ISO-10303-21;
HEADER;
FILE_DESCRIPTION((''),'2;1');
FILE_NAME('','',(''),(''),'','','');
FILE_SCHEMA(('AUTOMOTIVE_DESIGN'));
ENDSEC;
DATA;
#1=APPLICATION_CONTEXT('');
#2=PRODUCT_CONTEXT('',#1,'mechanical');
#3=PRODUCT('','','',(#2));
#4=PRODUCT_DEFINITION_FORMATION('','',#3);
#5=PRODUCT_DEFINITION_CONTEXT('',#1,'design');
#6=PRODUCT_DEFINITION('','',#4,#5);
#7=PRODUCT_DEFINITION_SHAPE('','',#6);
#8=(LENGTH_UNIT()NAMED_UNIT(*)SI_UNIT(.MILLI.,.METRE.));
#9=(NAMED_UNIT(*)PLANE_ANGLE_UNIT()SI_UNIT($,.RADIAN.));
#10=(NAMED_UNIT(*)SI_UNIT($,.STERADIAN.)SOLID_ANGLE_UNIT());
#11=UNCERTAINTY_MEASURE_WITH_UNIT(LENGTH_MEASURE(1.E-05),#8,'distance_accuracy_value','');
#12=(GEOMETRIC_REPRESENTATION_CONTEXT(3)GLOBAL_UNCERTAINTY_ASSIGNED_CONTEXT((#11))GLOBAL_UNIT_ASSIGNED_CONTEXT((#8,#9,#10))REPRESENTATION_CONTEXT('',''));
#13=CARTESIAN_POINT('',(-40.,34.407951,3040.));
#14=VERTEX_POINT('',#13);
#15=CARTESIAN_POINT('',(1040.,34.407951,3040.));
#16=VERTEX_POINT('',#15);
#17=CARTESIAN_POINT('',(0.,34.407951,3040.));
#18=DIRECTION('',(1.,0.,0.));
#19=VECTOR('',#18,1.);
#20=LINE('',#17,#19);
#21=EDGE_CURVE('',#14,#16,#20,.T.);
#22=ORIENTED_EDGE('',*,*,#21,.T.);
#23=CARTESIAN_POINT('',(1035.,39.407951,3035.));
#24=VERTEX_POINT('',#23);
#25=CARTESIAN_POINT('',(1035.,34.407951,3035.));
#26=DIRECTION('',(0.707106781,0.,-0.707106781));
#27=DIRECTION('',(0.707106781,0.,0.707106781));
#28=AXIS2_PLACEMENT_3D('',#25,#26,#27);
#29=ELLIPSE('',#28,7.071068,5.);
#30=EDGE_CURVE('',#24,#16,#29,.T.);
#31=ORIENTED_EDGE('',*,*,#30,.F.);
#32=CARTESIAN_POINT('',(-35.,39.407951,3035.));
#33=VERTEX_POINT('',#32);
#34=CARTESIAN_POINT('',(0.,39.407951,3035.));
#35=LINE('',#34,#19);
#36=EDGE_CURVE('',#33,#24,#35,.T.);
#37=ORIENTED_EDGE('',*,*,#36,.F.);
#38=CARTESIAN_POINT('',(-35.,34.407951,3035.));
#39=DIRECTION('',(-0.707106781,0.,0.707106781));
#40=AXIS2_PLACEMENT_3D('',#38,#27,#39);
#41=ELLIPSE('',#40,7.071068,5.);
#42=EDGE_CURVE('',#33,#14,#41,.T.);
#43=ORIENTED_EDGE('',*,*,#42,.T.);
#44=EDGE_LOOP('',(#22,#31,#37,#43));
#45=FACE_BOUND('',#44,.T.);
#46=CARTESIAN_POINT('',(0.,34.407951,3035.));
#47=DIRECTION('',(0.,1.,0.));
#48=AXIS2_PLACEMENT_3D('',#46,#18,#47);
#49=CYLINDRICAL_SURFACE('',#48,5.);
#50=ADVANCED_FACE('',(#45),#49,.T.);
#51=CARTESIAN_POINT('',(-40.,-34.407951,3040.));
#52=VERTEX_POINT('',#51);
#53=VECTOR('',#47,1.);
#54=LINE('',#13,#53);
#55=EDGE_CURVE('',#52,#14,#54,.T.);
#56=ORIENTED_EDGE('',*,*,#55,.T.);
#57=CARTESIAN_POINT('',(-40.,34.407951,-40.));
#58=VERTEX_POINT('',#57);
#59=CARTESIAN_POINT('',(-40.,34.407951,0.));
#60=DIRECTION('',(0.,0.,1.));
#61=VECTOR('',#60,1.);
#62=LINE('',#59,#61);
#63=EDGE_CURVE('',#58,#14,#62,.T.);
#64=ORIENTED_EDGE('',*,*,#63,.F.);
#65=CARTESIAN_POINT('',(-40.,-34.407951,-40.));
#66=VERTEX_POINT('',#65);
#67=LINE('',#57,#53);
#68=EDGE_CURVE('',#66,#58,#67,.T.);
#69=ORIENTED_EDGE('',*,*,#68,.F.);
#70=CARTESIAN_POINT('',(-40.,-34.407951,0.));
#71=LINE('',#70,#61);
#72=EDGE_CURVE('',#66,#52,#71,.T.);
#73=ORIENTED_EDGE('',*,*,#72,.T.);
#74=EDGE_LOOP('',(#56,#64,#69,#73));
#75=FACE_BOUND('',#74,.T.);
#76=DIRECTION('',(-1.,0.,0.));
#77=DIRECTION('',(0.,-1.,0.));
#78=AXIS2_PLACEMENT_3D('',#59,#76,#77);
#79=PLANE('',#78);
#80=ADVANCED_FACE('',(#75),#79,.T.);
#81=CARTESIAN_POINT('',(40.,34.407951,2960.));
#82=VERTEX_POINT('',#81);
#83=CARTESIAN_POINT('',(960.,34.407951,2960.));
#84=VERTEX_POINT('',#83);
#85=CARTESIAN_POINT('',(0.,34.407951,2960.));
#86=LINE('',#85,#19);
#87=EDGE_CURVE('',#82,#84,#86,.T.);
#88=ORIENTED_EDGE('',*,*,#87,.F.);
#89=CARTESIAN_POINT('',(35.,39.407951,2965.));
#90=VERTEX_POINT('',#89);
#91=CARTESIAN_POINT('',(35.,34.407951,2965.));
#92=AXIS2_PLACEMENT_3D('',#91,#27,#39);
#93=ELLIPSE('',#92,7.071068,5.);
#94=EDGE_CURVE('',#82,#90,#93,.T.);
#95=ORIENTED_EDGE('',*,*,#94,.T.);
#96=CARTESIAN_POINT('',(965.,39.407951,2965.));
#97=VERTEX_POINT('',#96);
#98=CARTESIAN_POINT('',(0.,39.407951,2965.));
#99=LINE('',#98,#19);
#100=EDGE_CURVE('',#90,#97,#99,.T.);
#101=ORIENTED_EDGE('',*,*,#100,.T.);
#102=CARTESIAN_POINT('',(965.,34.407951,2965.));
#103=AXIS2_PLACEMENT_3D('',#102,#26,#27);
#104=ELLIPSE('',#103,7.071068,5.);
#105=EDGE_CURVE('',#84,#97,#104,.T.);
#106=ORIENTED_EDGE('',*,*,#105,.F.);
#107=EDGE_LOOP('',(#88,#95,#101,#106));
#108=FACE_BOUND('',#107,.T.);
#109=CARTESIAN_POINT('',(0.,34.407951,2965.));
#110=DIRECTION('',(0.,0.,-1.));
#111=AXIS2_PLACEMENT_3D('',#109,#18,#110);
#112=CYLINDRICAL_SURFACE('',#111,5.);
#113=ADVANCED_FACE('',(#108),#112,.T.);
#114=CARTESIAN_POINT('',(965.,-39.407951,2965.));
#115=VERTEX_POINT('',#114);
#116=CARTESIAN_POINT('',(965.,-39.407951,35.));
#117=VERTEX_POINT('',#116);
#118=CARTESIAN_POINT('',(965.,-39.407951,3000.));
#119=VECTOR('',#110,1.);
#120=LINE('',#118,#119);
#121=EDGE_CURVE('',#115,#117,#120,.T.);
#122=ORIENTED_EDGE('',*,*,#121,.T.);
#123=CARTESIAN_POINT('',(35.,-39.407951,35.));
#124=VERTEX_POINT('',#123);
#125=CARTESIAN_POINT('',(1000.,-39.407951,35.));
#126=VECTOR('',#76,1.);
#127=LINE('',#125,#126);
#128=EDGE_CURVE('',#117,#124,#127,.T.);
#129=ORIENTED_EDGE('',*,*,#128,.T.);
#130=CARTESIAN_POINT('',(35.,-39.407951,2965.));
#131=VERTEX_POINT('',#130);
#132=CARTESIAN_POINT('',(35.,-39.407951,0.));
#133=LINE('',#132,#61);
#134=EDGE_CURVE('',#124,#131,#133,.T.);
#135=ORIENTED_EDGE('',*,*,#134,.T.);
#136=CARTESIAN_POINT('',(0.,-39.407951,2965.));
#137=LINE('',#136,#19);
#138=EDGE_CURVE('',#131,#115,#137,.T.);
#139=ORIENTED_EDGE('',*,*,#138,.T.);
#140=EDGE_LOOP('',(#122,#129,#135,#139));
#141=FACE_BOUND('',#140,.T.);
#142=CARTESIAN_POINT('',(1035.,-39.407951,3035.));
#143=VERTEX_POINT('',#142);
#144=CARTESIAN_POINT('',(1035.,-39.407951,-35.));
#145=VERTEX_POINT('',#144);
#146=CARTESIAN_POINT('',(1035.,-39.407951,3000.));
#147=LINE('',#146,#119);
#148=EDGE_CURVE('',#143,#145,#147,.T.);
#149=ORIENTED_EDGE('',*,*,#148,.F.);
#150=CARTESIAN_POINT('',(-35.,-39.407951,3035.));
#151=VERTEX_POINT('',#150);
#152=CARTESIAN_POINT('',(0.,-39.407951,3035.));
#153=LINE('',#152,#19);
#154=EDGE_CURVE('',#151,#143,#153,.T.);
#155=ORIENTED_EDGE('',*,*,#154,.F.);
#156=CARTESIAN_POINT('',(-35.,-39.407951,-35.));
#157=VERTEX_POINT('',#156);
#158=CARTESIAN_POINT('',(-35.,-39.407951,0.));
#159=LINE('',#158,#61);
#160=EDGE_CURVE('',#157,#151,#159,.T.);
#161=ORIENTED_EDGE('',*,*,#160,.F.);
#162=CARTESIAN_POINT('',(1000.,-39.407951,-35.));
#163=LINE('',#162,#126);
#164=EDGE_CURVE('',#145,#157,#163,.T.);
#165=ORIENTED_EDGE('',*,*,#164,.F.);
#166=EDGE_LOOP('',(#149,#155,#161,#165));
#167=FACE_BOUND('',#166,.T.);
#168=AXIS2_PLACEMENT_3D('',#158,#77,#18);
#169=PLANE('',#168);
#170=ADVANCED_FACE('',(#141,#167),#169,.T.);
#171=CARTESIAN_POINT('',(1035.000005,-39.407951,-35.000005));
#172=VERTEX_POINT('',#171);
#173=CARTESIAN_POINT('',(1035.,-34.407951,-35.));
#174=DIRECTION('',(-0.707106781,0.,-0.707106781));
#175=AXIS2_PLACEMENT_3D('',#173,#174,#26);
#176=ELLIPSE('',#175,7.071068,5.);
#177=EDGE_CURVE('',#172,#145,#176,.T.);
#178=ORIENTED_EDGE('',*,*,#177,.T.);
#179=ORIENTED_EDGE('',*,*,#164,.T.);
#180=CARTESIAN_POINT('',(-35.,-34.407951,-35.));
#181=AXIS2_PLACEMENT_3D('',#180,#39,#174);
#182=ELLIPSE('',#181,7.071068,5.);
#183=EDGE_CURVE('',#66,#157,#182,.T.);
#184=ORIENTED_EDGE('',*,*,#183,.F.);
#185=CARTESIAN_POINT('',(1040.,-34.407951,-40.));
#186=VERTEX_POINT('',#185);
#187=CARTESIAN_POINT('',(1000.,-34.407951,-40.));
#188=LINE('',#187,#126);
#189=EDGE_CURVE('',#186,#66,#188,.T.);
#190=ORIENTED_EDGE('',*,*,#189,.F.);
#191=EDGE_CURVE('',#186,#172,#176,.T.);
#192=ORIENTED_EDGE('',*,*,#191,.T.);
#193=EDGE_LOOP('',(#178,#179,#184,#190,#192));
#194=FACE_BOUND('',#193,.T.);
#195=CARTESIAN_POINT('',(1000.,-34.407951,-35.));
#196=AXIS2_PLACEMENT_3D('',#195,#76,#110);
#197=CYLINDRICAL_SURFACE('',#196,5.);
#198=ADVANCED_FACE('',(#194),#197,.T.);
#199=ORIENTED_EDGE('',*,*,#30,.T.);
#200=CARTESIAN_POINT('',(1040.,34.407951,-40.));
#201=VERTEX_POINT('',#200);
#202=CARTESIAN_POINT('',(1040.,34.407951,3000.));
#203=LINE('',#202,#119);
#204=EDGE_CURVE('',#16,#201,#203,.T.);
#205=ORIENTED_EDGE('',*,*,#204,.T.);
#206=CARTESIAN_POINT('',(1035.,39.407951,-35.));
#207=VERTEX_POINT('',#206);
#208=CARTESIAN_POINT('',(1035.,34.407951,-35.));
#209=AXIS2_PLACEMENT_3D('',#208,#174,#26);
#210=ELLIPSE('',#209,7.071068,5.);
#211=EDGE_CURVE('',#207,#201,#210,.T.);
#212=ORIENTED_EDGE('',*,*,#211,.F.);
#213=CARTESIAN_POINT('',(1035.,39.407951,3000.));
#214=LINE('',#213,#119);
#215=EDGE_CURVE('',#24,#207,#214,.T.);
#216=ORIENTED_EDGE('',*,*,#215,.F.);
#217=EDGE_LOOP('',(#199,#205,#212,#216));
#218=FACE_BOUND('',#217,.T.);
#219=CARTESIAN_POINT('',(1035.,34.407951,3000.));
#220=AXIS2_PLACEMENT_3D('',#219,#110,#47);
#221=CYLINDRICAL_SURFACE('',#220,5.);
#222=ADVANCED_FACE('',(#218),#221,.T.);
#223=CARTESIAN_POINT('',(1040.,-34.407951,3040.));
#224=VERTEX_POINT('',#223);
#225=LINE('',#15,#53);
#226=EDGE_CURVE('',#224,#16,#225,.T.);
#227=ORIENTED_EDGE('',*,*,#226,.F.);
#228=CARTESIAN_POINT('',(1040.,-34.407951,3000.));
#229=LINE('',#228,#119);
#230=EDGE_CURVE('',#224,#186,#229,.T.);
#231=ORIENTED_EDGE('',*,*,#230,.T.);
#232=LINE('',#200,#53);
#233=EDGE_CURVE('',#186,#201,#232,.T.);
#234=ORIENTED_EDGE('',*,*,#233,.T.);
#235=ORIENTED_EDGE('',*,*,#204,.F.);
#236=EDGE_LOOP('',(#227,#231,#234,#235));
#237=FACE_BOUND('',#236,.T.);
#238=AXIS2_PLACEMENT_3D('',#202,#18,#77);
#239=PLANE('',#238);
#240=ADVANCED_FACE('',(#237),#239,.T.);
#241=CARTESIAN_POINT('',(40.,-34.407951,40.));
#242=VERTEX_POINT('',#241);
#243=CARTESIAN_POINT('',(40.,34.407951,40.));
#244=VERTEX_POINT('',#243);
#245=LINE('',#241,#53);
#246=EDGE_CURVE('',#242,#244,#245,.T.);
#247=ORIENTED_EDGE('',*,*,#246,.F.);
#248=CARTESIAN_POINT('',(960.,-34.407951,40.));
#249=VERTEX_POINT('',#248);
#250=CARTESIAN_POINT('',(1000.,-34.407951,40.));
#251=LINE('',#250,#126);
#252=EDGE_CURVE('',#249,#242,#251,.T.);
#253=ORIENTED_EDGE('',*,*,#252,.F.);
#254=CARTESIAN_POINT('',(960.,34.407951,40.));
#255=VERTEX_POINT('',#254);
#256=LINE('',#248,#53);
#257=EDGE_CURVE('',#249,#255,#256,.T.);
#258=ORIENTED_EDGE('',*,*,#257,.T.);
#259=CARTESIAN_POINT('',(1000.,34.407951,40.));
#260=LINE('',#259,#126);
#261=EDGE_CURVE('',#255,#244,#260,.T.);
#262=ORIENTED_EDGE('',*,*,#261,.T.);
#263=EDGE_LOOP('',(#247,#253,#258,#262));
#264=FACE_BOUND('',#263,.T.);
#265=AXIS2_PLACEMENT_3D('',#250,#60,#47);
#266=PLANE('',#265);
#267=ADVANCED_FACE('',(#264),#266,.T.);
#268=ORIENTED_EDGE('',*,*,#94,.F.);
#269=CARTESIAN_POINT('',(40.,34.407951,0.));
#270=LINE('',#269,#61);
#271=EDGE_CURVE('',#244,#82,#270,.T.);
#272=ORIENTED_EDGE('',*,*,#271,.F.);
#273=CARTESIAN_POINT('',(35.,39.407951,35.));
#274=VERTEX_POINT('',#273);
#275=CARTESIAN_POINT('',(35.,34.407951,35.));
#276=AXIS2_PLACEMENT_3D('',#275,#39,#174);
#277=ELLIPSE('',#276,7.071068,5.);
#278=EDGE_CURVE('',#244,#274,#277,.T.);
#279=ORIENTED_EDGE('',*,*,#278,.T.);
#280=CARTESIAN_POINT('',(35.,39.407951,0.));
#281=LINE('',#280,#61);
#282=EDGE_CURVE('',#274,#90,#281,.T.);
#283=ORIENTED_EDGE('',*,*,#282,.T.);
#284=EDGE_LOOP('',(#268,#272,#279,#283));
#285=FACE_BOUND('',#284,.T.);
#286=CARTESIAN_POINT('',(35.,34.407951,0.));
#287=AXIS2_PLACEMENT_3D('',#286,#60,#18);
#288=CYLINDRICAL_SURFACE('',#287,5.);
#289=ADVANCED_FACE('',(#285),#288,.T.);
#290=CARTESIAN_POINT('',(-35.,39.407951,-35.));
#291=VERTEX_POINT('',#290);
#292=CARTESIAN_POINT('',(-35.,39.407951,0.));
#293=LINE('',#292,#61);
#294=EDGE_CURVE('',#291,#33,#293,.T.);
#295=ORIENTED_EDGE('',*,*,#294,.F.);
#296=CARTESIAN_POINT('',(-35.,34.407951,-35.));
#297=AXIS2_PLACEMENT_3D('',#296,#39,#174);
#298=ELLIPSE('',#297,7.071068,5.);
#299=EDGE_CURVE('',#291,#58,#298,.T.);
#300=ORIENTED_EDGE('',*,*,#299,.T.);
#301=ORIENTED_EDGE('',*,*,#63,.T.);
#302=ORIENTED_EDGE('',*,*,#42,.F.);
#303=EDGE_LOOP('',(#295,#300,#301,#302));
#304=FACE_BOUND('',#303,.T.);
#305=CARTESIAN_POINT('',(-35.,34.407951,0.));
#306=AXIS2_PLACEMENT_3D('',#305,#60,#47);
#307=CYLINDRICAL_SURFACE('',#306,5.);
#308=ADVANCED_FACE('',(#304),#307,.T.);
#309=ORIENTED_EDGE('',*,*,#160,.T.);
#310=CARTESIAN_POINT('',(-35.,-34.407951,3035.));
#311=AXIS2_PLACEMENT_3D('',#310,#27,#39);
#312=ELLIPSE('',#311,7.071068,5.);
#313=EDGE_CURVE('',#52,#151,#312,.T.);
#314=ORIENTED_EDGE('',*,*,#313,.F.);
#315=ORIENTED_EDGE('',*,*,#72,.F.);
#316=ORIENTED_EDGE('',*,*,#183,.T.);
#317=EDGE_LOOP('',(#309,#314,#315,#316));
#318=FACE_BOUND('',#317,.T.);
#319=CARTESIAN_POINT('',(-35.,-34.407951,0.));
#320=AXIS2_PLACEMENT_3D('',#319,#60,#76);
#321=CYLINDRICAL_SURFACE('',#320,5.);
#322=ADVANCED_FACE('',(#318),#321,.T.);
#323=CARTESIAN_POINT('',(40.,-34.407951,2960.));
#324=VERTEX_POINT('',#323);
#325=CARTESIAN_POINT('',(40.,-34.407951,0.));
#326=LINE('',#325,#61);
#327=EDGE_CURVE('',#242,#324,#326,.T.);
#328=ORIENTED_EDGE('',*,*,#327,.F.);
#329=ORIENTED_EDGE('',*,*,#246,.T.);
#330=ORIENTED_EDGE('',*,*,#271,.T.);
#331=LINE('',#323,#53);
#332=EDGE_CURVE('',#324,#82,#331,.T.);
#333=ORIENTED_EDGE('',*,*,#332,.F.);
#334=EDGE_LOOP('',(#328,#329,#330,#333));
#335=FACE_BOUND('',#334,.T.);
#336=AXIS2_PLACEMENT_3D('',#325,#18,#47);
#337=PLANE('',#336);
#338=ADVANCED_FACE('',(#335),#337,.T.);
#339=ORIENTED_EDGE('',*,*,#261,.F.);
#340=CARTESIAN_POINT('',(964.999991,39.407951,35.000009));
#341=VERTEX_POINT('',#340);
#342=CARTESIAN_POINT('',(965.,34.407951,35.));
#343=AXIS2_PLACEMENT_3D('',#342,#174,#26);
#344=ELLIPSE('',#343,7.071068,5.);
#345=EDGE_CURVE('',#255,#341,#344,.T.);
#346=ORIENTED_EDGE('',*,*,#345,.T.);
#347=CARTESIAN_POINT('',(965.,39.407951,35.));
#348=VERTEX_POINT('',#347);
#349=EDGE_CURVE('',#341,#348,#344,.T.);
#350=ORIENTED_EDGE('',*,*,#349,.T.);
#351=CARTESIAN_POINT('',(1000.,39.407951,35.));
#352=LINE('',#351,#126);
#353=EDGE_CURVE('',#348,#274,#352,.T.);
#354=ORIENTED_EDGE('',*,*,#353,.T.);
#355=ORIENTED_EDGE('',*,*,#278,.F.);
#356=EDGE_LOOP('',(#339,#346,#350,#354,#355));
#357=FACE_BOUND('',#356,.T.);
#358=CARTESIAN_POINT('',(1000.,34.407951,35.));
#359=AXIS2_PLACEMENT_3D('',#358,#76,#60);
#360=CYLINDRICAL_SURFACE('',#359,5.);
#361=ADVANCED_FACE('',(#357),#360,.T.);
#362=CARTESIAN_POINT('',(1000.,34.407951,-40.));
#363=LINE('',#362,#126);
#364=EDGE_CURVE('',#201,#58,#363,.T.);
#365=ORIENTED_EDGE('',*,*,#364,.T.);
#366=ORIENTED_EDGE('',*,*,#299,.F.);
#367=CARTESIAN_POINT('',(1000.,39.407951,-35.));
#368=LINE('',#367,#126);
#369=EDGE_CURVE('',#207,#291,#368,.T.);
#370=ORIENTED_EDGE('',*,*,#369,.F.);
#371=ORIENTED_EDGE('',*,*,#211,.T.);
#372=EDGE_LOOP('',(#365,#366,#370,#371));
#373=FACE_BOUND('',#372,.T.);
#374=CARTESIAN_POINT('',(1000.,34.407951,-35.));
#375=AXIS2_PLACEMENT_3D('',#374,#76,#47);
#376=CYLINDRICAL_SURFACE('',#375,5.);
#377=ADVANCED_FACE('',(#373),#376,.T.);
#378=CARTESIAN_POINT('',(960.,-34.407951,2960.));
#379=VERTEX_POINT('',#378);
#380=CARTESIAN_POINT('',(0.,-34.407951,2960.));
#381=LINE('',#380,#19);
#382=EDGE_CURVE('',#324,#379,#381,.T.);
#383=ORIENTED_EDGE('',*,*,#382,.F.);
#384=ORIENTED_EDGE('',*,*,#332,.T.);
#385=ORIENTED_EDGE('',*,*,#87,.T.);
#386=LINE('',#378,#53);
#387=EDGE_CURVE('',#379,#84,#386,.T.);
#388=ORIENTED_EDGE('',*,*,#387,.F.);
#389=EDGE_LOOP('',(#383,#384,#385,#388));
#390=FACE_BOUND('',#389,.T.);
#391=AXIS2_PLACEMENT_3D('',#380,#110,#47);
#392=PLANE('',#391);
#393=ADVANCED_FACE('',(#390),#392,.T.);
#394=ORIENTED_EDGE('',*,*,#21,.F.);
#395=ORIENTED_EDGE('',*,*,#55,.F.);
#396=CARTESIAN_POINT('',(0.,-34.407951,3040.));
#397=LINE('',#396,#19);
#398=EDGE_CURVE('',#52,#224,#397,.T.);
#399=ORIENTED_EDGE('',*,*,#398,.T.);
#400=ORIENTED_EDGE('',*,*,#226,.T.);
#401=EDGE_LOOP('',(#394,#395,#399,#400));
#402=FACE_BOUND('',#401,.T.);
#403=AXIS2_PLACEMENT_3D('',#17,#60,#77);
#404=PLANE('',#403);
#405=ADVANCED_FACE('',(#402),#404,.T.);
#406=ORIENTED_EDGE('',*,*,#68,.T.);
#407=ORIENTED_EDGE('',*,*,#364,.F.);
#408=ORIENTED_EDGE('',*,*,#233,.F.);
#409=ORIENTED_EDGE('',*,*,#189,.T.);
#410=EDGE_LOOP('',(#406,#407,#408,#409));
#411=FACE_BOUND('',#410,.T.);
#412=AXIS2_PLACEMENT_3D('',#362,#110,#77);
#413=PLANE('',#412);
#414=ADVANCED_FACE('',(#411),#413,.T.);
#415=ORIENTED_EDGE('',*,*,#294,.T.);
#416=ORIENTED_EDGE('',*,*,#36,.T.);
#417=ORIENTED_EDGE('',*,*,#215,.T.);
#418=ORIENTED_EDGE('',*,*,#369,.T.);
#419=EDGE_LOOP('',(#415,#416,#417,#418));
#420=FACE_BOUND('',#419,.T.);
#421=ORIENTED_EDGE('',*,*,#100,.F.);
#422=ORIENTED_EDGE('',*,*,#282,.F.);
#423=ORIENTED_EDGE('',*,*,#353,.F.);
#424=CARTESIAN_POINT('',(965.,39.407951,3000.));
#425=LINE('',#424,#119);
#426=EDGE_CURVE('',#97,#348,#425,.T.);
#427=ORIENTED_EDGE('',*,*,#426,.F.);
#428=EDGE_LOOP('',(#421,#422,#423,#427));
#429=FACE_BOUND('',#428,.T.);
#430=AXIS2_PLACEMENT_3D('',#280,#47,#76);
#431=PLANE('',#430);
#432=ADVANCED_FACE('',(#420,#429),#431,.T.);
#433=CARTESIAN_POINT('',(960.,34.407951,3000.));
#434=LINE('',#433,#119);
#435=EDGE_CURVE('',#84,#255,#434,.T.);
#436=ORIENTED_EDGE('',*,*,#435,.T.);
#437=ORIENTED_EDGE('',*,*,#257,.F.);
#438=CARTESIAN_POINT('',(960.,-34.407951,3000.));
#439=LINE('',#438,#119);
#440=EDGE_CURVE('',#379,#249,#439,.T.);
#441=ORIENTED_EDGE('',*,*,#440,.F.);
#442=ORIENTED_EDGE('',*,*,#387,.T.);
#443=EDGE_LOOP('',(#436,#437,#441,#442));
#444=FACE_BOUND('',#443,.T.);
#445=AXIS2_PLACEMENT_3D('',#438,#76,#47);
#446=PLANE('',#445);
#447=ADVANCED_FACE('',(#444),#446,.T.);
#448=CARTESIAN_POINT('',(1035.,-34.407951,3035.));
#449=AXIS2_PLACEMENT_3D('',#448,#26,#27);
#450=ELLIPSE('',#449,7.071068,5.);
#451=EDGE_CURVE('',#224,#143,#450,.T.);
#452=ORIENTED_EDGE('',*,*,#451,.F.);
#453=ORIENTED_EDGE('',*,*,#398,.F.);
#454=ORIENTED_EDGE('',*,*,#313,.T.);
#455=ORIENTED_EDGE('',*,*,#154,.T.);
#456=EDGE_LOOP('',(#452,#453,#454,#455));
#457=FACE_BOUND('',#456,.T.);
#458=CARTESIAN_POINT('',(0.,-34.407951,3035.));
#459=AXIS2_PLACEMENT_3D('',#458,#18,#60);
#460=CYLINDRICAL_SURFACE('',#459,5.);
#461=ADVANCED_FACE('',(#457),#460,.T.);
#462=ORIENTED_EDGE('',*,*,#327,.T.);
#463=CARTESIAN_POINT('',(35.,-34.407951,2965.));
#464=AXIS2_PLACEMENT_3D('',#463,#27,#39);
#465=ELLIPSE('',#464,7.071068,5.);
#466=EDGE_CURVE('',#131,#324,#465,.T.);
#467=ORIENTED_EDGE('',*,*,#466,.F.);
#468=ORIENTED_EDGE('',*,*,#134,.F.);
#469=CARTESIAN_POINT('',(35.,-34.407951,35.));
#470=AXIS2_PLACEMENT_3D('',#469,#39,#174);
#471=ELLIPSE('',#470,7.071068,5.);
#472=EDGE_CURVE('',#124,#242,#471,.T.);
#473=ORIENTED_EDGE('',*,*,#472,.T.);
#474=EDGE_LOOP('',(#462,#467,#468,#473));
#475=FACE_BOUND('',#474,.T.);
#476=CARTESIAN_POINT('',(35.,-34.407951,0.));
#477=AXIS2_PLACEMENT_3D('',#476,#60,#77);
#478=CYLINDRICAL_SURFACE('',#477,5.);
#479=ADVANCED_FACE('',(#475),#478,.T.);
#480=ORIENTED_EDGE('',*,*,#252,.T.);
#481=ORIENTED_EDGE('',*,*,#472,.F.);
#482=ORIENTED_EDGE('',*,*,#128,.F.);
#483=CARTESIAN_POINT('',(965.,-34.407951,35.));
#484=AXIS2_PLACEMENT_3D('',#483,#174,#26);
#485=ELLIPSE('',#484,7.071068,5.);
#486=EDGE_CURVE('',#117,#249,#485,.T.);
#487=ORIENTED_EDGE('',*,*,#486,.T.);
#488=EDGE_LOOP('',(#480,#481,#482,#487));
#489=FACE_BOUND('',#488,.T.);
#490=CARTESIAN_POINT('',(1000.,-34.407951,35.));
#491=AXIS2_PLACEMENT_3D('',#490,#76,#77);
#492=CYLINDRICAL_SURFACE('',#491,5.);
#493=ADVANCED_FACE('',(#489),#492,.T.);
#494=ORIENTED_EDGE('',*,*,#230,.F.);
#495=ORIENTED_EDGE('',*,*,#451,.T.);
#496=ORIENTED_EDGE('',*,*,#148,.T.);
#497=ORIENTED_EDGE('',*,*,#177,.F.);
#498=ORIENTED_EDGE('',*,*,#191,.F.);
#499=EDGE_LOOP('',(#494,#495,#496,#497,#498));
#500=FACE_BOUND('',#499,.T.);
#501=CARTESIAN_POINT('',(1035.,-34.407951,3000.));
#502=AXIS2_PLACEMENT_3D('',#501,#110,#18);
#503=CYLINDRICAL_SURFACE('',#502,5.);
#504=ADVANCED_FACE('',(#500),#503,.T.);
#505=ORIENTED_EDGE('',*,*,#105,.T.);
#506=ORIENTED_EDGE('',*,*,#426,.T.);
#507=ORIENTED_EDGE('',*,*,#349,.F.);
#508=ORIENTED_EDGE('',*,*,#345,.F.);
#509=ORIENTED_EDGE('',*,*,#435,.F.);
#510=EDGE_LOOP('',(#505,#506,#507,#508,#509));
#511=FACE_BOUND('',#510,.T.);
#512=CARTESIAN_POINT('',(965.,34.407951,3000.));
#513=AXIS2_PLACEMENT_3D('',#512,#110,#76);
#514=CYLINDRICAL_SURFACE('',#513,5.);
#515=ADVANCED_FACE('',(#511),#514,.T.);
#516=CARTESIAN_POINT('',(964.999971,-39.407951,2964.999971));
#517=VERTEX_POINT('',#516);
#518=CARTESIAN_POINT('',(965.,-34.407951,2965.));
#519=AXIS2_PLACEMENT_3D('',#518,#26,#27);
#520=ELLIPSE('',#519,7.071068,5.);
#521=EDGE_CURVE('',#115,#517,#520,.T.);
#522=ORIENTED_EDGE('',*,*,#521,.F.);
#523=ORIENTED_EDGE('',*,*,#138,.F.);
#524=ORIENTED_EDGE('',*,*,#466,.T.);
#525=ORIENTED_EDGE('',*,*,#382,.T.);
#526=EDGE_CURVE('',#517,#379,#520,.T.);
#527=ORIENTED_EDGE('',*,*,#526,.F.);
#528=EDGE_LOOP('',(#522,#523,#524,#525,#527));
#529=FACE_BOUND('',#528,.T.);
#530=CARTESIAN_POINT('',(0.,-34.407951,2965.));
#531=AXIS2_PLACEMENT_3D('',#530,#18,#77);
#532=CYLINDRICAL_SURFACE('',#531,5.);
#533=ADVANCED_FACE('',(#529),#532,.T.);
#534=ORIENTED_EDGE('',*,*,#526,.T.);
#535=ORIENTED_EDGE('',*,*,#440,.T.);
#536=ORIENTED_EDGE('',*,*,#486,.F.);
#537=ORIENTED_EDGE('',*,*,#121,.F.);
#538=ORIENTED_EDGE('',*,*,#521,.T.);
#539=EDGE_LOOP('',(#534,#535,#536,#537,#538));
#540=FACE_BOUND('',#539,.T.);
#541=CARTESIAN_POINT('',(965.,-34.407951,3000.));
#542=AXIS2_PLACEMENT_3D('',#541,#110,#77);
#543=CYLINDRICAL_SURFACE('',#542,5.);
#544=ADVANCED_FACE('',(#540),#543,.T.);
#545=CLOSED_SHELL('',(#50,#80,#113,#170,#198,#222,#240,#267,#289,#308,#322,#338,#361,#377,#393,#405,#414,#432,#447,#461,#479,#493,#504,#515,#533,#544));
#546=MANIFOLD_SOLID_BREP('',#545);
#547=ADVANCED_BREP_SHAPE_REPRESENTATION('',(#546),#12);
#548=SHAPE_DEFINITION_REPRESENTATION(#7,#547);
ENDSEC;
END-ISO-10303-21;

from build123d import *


with BuildPart() as f2:
    # F2: sweep along a path in F1
    with BuildLine(Plane.XZ) as f2_path:
        Line((0, 0), (0, 3000))
        Line((0, 3000), (1000, 3000))
        Line((1000, 3000), (1000, 0))
        Line((1000, 0), (0, 0))
    # F0 (on Top) → F2 (sweep)
    with BuildSketch(Plane.XY):
        with BuildLine():
            Line((-35, -39.4079514327), (35, -39.4079514327))
            ThreePointArc((35, -39.4079514327), (38.5355339059, -37.9434853386), (40, -34.4079514327))
            Line((40, -34.4079514327), (40, 34.4079514327))
            ThreePointArc((40, 34.4079514327), (38.5355339059, 37.9434853386), (35, 39.4079514327))
            Line((35, 39.4079514327), (-35, 39.4079514327))
            ThreePointArc((-35, 39.4079514327), (-38.5355339059, 37.9434853386), (-40, 34.4079514327))
            Line((-40, 34.4079514327), (-40, -34.4079514327))
            ThreePointArc((-40, -34.4079514327), (-38.5355339059, -37.9434853386), (-35, -39.4079514327))
        make_face()
    sweep(path=f2_path.line, transition=Transition.RIGHT)


solid = f2.part
